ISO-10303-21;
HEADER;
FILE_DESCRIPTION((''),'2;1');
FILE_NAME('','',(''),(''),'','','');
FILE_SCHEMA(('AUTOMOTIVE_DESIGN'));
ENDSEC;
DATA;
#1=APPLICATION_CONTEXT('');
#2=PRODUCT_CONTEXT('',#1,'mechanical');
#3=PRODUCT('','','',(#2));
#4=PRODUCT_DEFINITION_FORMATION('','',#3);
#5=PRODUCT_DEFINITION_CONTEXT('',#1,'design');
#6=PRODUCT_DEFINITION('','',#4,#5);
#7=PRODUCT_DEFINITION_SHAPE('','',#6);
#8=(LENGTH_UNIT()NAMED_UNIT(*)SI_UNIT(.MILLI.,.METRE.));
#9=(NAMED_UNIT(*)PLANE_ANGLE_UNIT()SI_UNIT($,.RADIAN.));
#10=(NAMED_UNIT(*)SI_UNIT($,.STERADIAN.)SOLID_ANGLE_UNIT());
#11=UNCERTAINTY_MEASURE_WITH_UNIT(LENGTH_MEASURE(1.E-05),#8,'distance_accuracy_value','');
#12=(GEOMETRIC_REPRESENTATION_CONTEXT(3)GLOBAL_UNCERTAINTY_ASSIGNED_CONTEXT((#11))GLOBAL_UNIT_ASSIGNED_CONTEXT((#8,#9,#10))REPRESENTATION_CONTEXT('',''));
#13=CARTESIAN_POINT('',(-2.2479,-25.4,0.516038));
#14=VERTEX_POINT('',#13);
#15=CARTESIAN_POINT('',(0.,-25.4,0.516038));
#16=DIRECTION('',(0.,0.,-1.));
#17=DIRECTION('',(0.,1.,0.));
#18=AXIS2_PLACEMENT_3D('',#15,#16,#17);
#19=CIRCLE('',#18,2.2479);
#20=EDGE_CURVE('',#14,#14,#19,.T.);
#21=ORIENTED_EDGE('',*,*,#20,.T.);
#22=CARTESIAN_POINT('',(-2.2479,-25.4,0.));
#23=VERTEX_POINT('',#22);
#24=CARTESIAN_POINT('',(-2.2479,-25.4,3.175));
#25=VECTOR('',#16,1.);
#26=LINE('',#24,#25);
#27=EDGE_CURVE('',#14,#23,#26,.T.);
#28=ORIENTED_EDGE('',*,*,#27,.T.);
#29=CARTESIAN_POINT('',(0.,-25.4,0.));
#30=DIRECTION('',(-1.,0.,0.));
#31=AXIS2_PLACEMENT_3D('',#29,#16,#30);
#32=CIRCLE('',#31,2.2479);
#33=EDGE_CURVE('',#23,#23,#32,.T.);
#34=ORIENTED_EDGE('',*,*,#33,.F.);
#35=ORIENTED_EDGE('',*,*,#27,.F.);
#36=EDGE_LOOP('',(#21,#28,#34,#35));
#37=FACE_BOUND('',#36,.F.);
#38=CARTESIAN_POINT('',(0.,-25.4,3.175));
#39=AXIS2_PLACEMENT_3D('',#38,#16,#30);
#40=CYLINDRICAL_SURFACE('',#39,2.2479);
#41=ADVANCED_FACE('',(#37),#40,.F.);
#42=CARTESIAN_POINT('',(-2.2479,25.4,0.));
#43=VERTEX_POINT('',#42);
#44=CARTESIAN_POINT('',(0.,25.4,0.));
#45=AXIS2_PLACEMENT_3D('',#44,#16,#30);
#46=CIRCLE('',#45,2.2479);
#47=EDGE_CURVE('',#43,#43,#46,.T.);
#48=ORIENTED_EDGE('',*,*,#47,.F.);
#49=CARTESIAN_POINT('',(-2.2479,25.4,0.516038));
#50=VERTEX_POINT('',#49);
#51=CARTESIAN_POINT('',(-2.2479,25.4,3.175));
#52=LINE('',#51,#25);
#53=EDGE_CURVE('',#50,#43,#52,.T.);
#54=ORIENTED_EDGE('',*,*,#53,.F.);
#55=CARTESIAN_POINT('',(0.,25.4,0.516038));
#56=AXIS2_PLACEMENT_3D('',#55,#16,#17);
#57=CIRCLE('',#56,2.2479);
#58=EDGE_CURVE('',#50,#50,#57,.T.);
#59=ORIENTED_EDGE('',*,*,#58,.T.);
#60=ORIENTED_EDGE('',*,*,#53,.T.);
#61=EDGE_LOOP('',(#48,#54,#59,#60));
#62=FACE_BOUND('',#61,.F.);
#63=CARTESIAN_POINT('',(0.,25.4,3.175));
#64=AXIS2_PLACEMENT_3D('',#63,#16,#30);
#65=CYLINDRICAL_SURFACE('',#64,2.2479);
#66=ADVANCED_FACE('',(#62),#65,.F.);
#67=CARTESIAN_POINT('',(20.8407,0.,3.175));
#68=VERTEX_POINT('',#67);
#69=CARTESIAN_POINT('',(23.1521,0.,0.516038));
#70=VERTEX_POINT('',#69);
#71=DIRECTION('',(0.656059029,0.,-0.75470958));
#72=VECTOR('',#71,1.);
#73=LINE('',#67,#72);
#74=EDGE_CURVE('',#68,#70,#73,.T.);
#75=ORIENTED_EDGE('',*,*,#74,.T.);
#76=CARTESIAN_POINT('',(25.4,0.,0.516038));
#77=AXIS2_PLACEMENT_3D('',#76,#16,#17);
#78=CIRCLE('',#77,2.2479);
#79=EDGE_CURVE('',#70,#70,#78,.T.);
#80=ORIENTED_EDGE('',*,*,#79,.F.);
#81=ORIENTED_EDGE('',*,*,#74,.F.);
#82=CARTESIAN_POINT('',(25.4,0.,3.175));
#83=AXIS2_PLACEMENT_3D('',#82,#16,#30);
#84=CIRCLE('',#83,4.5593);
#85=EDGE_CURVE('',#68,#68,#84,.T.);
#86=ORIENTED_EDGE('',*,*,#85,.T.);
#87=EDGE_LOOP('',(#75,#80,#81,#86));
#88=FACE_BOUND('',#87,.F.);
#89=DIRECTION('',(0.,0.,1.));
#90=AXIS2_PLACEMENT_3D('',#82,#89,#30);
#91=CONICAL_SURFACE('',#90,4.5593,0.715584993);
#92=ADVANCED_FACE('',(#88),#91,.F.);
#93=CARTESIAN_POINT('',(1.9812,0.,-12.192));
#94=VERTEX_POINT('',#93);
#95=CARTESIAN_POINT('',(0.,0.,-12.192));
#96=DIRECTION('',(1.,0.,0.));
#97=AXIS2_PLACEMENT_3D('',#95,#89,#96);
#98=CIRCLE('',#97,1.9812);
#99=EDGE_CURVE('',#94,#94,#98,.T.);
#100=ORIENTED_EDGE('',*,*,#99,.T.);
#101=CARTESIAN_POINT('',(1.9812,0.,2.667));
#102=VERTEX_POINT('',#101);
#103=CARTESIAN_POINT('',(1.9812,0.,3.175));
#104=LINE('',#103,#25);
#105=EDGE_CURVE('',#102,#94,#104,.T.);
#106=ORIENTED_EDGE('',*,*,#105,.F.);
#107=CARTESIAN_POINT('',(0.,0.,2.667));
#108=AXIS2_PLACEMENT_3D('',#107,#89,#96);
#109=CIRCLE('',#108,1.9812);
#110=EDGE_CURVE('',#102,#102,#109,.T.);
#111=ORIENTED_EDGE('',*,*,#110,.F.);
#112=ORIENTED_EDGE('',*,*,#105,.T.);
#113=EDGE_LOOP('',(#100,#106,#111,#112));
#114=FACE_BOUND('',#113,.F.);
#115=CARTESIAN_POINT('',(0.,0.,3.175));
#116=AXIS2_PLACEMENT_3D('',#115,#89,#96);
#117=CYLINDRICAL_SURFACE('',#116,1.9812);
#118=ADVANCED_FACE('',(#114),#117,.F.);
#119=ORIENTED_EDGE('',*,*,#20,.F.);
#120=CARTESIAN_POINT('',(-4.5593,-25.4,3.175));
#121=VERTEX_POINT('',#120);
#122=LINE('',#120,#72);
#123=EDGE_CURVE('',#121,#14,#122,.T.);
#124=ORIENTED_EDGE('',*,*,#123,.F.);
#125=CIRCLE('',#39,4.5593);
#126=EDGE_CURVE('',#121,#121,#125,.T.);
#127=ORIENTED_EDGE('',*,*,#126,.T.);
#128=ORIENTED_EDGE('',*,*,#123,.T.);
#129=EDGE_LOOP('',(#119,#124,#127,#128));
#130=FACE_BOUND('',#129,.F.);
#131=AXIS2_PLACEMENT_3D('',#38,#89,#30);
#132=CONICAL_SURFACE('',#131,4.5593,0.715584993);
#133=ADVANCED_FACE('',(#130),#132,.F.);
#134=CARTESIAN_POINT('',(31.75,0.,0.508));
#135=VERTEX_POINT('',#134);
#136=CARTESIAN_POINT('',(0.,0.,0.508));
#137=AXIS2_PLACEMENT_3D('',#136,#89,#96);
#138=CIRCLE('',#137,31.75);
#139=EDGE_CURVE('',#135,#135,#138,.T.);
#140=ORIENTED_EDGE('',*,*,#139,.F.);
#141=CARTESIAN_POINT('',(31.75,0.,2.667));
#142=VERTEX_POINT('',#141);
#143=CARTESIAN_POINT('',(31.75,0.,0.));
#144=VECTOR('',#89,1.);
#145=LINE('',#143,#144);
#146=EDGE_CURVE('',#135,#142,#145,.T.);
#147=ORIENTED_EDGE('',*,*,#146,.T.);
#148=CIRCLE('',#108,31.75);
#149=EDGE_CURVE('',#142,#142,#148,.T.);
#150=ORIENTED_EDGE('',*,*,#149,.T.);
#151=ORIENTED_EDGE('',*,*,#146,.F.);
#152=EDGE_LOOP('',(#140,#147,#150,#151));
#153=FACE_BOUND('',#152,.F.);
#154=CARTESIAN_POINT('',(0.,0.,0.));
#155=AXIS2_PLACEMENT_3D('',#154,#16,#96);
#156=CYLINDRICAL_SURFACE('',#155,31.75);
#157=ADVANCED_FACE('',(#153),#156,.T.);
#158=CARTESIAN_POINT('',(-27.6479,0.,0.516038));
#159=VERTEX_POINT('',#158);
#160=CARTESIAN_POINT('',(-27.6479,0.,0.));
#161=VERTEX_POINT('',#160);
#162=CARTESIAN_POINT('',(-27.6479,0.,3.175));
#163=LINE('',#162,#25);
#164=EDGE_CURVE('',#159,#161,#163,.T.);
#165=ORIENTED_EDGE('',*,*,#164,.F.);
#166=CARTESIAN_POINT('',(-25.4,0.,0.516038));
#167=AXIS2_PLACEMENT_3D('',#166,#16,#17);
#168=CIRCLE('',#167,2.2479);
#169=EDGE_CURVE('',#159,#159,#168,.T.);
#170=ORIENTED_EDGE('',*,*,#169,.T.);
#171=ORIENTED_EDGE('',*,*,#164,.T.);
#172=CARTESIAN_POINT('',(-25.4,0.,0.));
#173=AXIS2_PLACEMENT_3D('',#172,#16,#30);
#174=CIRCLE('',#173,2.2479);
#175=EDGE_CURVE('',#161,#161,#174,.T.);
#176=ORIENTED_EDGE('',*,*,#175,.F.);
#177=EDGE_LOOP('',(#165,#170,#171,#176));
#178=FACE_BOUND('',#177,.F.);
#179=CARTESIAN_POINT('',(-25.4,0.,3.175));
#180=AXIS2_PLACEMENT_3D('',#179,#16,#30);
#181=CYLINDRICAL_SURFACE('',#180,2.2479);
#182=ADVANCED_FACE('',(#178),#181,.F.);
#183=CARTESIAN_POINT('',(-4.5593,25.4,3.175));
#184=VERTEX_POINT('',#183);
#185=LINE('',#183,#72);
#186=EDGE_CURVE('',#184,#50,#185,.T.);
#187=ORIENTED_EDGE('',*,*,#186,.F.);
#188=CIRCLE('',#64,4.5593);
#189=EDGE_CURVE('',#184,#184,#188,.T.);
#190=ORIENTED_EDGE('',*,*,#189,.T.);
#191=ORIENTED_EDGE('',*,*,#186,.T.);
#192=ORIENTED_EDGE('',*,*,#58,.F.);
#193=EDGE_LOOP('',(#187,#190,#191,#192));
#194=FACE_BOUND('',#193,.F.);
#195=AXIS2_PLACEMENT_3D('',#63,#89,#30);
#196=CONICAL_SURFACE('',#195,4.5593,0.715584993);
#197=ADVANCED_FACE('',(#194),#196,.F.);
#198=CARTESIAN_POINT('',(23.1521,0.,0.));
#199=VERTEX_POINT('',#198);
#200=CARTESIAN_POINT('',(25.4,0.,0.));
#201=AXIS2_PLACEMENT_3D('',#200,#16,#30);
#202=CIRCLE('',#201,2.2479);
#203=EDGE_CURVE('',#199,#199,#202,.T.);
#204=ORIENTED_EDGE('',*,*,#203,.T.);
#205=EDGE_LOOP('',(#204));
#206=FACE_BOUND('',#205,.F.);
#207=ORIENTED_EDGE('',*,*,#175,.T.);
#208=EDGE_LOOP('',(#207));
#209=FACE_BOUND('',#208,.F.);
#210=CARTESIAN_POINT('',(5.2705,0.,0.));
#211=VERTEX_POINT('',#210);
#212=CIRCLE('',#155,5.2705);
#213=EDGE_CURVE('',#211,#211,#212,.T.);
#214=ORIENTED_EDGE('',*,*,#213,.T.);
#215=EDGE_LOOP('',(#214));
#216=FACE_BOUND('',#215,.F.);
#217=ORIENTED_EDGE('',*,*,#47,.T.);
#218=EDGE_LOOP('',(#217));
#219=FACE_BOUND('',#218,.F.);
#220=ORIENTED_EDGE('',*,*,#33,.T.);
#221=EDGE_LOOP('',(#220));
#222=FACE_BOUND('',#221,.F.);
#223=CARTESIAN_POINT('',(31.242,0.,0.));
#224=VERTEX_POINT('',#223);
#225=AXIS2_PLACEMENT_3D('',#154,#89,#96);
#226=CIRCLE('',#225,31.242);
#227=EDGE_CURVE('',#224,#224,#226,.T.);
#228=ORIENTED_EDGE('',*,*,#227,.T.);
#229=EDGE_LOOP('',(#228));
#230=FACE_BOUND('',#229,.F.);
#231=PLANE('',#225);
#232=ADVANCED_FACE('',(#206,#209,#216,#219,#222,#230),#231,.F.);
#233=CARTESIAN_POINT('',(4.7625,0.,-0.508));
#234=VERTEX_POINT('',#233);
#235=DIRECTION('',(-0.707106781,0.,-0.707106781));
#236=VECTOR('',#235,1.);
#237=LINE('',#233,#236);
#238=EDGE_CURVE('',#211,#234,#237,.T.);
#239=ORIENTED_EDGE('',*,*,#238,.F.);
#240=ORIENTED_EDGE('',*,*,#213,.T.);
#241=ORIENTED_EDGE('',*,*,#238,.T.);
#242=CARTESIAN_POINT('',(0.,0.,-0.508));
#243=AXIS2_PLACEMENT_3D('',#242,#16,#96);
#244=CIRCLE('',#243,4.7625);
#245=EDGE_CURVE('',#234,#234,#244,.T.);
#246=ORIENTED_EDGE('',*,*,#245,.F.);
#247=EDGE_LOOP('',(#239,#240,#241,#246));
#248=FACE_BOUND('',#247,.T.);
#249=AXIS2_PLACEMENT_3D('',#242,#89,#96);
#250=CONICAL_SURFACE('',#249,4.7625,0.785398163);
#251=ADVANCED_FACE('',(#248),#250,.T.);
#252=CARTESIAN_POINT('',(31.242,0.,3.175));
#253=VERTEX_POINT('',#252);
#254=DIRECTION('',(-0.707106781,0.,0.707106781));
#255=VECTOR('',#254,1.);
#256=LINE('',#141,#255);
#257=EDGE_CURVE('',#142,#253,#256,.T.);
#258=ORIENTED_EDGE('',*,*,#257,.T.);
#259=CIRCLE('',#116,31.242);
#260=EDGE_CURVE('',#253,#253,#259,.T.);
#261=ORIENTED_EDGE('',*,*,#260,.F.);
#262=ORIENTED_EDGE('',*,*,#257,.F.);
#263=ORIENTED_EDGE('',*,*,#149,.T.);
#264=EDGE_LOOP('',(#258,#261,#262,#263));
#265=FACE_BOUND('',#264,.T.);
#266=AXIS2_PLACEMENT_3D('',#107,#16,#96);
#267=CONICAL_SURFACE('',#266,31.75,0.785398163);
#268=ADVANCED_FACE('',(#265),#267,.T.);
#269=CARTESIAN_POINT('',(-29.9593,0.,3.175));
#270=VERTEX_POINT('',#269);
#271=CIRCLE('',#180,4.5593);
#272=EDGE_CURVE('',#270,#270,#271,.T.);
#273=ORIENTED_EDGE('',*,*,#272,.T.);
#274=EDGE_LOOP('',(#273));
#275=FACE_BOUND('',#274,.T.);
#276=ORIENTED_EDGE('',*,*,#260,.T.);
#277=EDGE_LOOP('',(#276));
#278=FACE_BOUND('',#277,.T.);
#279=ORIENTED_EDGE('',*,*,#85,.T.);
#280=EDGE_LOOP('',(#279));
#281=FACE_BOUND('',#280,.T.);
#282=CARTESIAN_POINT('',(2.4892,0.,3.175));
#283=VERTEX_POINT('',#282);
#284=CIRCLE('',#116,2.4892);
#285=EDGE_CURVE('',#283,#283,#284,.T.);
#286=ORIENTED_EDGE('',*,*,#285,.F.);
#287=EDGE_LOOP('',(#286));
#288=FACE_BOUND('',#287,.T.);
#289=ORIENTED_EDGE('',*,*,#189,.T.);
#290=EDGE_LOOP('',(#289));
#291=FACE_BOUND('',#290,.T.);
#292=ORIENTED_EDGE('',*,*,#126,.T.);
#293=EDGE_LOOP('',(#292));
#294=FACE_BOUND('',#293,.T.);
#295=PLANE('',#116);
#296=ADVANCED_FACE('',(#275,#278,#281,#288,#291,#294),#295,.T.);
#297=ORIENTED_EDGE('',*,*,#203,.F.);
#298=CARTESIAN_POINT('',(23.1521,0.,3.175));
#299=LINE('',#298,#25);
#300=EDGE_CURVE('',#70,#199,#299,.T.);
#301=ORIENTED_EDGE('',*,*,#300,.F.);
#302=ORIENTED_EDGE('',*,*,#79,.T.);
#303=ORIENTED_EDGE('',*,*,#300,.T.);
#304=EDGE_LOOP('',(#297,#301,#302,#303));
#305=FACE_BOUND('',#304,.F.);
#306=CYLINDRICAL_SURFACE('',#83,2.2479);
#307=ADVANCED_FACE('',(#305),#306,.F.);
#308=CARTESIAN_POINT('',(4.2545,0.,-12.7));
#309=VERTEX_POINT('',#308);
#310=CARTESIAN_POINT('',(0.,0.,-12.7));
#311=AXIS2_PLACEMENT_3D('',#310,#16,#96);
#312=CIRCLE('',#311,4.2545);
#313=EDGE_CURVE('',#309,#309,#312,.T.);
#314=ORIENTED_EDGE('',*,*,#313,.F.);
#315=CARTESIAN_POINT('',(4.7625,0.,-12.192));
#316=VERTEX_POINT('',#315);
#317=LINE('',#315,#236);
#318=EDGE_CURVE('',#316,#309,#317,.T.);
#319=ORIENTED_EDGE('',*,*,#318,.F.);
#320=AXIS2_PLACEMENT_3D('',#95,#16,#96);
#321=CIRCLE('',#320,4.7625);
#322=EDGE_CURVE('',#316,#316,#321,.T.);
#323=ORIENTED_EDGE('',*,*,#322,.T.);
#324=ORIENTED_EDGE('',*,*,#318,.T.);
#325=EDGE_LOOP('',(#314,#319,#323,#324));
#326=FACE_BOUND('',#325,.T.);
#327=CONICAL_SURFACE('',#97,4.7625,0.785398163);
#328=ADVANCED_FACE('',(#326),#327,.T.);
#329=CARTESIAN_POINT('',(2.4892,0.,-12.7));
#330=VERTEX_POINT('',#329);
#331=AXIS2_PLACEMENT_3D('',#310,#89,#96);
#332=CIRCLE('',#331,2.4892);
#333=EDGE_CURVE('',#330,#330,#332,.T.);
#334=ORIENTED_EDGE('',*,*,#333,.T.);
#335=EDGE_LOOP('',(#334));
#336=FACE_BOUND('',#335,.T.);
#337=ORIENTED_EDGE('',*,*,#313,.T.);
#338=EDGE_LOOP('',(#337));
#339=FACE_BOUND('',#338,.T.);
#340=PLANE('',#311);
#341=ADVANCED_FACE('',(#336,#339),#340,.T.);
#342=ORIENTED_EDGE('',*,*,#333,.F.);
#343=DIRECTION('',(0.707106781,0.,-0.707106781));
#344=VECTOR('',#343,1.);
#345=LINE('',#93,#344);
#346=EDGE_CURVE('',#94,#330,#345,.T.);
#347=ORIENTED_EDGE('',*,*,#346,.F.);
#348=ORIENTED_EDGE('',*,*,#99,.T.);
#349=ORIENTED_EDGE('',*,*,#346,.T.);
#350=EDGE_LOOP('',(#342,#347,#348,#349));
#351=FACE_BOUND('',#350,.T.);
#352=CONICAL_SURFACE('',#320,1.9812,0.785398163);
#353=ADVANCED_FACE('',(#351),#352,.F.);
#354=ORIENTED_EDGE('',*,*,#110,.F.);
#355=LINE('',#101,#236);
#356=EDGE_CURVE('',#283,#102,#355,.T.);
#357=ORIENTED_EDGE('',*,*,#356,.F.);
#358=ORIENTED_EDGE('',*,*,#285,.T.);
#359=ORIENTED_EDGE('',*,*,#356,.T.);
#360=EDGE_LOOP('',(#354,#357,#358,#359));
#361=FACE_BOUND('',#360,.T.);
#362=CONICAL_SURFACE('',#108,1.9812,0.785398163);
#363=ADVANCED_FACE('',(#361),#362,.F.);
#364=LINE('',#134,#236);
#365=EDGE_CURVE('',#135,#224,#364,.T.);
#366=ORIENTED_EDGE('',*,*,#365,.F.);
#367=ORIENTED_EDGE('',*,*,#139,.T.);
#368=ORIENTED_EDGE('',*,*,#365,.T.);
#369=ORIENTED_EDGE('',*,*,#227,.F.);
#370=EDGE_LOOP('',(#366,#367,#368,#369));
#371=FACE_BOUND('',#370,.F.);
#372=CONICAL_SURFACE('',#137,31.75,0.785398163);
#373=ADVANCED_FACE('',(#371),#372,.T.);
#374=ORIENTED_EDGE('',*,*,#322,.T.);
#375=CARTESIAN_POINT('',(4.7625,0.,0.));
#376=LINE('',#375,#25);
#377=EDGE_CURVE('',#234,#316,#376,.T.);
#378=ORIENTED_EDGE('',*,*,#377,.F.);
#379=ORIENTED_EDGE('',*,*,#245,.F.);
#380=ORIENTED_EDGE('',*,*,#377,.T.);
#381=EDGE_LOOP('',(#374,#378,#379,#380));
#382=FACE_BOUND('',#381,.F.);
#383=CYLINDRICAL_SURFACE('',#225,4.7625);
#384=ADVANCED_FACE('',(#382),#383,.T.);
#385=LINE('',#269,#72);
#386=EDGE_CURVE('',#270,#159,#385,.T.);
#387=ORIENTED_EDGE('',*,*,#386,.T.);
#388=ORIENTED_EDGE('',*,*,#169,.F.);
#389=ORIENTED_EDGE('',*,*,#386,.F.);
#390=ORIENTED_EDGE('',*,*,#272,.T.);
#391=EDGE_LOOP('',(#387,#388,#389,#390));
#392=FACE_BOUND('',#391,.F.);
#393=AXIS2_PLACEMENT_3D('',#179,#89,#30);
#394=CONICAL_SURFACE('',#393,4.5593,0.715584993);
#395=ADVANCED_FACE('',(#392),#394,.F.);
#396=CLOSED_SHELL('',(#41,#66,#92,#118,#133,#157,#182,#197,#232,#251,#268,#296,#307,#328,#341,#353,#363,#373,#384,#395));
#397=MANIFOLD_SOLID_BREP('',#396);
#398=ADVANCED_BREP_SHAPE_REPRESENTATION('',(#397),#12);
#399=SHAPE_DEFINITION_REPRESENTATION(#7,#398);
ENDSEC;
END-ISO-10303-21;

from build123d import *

# Parameters (mm, degrees)
F0_R           = 31.75
F1_DEPTH       = 3.175
F2_R           = 4.7625
F3_DEPTH       = 12.7
F5_D           = 4.4958
F5_CSINK_D     = 9.1186
F5_CSINK_ANGLE = 82
F6_R           = 1.9812
F7_DEPTH       = 15.876
F8_SIZE        = 0.508


with BuildPart() as f1:
    # F0 (on Top) → F1 (new body)
    with BuildSketch(Plane.XY):
        Circle(F0_R)
    extrude(amount=F1_DEPTH)

    # F2 (on face) → F3 (join)
    with BuildSketch(Plane(origin=(0, 0, 0), x_dir=(1, 0, 0), z_dir=(0, 0, -1))):
        Circle(F2_R)
    extrude(amount=F3_DEPTH)

    # F5 (through all)
    with Locations(Plane.XY.offset(3.175)):
        with Locations((-25.4, 0), (0, 25.4), (25.4, 0), (0, -25.4)):
            CounterSinkHole(F5_D / 2, F5_CSINK_D / 2, counter_sink_angle=F5_CSINK_ANGLE)

    # F6 (on face) → F7 (cut, through all)
    with BuildSketch(Plane.XY.offset(3.175)):
        Circle(F6_R)
    extrude(amount=-F7_DEPTH, mode=Mode.SUBTRACT)

    # F8
    f8_edges = [f1.edges().sort_by_distance(p)[0] for p in [
        (-31.75, 0, 3.175),
        (-1.9812, 0, 3.175),
        (-31.75, 0, 0),
        (-4.7625, 0, -12.7),
        (-1.9812, 0, -12.7),
        (-4.7625, 0, 0),
    ]]
    chamfer(f8_edges, length=F8_SIZE)


solid = f1.part
